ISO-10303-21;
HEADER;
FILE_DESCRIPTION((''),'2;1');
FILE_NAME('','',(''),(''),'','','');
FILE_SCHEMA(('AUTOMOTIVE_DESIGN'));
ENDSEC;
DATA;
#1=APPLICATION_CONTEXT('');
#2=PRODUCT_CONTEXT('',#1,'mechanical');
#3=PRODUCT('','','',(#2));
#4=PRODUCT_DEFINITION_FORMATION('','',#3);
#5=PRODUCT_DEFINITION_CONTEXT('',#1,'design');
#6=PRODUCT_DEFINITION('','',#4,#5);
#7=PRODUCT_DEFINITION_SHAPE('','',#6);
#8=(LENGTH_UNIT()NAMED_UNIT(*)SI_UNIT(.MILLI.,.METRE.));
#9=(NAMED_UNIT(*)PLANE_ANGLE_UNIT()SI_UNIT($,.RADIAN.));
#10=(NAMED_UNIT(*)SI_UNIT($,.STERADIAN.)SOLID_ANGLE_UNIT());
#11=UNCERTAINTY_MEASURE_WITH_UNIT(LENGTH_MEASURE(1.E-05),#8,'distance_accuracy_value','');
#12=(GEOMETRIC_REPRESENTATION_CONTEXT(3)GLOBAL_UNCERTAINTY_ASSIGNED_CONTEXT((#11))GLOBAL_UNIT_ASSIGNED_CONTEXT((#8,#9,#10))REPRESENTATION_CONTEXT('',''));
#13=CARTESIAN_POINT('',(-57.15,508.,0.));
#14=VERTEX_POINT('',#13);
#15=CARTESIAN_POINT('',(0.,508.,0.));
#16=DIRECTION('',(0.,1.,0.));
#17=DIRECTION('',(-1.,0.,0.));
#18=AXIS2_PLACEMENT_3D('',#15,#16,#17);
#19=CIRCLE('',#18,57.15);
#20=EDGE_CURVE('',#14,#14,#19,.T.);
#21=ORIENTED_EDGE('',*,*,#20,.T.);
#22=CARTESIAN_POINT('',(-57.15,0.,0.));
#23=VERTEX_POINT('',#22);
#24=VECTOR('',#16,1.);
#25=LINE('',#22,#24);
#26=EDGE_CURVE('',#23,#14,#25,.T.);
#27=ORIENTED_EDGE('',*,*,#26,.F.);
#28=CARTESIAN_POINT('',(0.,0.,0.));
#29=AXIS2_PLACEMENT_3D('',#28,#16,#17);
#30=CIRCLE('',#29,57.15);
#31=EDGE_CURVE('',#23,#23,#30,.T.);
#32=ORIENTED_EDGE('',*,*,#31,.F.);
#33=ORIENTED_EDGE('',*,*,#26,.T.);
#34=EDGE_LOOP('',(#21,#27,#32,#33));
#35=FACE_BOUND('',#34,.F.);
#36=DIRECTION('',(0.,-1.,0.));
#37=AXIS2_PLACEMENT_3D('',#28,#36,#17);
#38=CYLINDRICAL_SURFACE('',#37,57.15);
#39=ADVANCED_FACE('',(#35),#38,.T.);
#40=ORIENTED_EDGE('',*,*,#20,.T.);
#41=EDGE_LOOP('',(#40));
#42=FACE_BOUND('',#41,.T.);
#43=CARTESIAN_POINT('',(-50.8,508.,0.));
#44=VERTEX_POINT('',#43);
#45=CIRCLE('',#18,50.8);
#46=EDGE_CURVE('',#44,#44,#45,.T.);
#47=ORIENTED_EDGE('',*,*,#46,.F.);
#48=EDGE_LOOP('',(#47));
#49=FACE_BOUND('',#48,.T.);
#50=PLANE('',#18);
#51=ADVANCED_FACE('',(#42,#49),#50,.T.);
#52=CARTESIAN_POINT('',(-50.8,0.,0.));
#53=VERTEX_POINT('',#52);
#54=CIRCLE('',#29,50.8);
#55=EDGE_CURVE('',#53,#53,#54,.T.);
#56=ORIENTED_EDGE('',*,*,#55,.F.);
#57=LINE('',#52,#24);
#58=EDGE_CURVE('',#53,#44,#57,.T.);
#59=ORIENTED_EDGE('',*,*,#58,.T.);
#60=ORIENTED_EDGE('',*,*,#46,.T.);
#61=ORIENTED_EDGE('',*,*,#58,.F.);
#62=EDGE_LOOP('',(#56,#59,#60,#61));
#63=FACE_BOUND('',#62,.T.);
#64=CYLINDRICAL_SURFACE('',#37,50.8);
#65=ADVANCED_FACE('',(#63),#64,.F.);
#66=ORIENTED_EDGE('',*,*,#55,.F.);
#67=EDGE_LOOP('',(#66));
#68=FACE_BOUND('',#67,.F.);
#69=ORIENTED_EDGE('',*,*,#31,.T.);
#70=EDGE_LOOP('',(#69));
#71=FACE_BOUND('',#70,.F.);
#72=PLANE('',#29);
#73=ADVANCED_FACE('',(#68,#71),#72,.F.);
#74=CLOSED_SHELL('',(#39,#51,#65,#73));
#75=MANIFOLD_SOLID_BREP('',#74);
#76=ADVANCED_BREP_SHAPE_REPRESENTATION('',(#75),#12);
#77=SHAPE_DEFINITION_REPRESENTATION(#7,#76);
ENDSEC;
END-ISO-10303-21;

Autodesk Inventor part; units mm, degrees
ref_plane "YZ Plane" through (0, 0, 0) normal (1, 0, 0) x (0, 1, 0)
ref_plane "XZ Plane" through (0, 0, 0) normal (0, 1, 0) x (-1, 0, 0)
ref_plane "XY Plane" through (0, 0, 0) normal (0, 0, 1) x (1, 0, 0)
sketch "Sketch1" plane through (0, 0, 0) normal (0, 1, 0) x (-1, 0, 0)
  circle A0 centre (0, 0) radius 50.8
  circle A1 centre (0, 0) radius 57.15
  dimension "WashChamberID" = 101.6
  dimension "WashChamberOD" = 114.3
extrude "Extrusion1" add sketch "Sketch1" along normal blind 508
properties part number "WashChamber"
